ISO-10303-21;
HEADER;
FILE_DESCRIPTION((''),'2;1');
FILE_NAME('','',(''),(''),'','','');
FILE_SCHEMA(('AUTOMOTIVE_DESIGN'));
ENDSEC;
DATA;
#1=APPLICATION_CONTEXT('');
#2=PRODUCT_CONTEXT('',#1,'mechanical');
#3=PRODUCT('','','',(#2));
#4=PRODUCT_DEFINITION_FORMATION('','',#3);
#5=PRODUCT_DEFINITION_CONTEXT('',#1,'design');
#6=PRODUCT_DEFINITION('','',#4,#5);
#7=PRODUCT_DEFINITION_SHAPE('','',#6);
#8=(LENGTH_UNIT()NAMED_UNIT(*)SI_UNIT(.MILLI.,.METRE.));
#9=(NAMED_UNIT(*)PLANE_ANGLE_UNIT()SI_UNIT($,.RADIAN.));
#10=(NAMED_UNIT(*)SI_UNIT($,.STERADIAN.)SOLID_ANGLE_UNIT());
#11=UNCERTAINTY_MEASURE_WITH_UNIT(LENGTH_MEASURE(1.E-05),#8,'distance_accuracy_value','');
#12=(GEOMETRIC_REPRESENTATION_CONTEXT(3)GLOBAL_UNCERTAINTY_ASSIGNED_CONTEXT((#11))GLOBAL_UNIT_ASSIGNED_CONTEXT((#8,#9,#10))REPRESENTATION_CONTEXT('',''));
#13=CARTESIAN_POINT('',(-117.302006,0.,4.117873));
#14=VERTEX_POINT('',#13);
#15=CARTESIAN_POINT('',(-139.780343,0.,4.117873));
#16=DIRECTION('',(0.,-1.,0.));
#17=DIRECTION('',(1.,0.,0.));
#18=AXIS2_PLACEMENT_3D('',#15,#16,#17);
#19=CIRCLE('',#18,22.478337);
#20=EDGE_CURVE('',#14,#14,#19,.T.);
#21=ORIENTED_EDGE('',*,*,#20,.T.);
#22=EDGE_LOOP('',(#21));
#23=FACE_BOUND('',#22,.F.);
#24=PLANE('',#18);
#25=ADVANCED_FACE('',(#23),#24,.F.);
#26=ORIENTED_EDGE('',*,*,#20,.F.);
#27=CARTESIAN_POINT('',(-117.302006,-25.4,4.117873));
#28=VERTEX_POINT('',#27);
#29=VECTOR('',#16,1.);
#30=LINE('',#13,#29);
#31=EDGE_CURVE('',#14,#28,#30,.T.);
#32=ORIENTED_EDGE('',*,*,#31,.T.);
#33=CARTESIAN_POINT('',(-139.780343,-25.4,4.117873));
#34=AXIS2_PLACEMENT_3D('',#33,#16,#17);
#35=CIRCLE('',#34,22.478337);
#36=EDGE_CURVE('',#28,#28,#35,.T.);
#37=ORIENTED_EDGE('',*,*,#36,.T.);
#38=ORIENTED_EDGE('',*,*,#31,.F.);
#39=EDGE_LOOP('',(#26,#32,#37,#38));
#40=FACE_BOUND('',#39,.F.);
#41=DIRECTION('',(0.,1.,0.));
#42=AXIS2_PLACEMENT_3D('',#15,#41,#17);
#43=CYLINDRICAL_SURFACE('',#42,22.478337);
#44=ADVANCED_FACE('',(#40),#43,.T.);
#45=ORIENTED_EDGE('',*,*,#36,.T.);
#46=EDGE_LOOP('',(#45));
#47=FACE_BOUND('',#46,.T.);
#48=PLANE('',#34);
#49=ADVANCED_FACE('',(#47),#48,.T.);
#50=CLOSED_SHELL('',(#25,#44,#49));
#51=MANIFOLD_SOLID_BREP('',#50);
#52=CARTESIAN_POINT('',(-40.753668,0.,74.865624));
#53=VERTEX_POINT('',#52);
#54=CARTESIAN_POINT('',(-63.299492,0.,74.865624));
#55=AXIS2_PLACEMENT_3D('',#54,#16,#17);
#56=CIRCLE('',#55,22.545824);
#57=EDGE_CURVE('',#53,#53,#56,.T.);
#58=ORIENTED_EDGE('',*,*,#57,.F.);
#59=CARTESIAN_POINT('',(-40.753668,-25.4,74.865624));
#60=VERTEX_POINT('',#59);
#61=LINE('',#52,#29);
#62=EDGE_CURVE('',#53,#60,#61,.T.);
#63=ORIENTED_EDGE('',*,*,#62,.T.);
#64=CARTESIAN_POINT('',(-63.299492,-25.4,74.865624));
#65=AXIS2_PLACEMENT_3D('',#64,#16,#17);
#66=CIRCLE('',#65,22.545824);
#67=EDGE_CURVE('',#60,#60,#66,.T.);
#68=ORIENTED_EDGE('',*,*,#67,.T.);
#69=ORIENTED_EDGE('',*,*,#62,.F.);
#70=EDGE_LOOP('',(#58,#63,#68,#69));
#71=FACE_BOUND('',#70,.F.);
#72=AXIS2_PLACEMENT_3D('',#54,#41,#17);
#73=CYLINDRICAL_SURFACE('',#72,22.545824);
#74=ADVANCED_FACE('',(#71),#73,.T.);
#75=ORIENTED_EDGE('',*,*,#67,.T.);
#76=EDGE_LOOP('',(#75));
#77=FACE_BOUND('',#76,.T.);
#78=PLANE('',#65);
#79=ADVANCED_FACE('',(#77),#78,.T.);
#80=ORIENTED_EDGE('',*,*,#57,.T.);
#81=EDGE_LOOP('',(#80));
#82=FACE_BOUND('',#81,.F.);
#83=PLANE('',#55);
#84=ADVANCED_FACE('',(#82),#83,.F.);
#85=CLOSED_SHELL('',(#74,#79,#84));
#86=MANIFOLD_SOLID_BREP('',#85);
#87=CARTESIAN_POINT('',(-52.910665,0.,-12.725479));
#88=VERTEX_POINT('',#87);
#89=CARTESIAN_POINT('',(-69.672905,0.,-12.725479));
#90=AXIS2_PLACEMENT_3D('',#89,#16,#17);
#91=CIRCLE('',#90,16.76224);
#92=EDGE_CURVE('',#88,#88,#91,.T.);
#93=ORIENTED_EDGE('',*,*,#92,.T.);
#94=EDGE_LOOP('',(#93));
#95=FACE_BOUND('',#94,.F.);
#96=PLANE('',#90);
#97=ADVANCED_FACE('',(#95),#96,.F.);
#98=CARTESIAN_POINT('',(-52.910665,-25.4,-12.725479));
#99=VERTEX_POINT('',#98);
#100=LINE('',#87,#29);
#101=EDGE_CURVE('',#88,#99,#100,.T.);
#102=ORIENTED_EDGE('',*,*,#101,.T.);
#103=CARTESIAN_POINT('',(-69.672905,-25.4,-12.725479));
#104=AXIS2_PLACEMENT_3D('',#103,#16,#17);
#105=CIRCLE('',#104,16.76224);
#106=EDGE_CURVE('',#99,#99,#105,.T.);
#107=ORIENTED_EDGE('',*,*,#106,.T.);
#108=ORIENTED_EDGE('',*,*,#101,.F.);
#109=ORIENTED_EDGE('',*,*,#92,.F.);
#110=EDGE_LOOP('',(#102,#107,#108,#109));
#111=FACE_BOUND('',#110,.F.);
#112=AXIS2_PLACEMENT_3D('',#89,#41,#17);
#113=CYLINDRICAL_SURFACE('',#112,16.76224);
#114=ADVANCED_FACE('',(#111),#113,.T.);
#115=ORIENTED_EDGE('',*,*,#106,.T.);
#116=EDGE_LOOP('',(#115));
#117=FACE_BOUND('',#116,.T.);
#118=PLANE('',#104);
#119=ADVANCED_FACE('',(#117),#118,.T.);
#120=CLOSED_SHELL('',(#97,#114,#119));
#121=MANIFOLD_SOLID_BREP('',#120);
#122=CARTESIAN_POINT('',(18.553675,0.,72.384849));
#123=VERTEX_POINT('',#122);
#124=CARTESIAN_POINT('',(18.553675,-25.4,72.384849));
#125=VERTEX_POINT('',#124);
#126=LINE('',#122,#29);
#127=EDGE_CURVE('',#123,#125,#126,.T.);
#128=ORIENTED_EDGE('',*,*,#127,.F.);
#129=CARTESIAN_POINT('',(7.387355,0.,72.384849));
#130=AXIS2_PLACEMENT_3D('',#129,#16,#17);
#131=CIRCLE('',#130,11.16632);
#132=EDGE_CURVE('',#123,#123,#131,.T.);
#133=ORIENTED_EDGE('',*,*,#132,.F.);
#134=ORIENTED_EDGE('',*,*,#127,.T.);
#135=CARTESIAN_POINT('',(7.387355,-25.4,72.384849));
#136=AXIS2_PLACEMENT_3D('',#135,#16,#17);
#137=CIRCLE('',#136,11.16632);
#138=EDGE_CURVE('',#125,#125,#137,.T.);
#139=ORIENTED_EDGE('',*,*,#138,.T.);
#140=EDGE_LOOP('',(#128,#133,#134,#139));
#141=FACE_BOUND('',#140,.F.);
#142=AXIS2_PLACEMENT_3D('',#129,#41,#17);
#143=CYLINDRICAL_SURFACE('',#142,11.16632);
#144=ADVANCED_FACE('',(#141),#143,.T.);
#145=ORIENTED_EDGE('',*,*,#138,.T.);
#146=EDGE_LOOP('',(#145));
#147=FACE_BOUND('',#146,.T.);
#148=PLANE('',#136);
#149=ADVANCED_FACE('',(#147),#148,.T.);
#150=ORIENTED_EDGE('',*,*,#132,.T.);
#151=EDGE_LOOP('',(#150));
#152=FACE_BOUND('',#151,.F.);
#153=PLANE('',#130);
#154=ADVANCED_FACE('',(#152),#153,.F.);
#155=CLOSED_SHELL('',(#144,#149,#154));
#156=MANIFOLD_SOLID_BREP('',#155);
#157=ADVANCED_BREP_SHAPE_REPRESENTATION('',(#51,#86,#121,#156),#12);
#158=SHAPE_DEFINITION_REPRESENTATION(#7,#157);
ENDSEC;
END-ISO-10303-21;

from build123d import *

# Parameters (mm, degrees)
F0_R     = 22.478337
F0_R_2   = 22.545824
F0_R_3   = 11.16632
F0_R_4   = 16.76224
F1_DEPTH = 25.4


with BuildPart() as f1:
    # F0 (on Front) → F1 (new body)
    with BuildSketch(Plane.XZ):
        with Locations((-139.780343, 4.117873)):
            Circle(F0_R)
        with Locations((-63.299492, 74.865624)):
            Circle(F0_R_2)
        with Locations((7.387355, 72.384849)):
            Circle(F0_R_3)
        with Locations((-69.672905, -12.725479)):
            Circle(F0_R_4)
    extrude(amount=F1_DEPTH)


solid = f1.part
